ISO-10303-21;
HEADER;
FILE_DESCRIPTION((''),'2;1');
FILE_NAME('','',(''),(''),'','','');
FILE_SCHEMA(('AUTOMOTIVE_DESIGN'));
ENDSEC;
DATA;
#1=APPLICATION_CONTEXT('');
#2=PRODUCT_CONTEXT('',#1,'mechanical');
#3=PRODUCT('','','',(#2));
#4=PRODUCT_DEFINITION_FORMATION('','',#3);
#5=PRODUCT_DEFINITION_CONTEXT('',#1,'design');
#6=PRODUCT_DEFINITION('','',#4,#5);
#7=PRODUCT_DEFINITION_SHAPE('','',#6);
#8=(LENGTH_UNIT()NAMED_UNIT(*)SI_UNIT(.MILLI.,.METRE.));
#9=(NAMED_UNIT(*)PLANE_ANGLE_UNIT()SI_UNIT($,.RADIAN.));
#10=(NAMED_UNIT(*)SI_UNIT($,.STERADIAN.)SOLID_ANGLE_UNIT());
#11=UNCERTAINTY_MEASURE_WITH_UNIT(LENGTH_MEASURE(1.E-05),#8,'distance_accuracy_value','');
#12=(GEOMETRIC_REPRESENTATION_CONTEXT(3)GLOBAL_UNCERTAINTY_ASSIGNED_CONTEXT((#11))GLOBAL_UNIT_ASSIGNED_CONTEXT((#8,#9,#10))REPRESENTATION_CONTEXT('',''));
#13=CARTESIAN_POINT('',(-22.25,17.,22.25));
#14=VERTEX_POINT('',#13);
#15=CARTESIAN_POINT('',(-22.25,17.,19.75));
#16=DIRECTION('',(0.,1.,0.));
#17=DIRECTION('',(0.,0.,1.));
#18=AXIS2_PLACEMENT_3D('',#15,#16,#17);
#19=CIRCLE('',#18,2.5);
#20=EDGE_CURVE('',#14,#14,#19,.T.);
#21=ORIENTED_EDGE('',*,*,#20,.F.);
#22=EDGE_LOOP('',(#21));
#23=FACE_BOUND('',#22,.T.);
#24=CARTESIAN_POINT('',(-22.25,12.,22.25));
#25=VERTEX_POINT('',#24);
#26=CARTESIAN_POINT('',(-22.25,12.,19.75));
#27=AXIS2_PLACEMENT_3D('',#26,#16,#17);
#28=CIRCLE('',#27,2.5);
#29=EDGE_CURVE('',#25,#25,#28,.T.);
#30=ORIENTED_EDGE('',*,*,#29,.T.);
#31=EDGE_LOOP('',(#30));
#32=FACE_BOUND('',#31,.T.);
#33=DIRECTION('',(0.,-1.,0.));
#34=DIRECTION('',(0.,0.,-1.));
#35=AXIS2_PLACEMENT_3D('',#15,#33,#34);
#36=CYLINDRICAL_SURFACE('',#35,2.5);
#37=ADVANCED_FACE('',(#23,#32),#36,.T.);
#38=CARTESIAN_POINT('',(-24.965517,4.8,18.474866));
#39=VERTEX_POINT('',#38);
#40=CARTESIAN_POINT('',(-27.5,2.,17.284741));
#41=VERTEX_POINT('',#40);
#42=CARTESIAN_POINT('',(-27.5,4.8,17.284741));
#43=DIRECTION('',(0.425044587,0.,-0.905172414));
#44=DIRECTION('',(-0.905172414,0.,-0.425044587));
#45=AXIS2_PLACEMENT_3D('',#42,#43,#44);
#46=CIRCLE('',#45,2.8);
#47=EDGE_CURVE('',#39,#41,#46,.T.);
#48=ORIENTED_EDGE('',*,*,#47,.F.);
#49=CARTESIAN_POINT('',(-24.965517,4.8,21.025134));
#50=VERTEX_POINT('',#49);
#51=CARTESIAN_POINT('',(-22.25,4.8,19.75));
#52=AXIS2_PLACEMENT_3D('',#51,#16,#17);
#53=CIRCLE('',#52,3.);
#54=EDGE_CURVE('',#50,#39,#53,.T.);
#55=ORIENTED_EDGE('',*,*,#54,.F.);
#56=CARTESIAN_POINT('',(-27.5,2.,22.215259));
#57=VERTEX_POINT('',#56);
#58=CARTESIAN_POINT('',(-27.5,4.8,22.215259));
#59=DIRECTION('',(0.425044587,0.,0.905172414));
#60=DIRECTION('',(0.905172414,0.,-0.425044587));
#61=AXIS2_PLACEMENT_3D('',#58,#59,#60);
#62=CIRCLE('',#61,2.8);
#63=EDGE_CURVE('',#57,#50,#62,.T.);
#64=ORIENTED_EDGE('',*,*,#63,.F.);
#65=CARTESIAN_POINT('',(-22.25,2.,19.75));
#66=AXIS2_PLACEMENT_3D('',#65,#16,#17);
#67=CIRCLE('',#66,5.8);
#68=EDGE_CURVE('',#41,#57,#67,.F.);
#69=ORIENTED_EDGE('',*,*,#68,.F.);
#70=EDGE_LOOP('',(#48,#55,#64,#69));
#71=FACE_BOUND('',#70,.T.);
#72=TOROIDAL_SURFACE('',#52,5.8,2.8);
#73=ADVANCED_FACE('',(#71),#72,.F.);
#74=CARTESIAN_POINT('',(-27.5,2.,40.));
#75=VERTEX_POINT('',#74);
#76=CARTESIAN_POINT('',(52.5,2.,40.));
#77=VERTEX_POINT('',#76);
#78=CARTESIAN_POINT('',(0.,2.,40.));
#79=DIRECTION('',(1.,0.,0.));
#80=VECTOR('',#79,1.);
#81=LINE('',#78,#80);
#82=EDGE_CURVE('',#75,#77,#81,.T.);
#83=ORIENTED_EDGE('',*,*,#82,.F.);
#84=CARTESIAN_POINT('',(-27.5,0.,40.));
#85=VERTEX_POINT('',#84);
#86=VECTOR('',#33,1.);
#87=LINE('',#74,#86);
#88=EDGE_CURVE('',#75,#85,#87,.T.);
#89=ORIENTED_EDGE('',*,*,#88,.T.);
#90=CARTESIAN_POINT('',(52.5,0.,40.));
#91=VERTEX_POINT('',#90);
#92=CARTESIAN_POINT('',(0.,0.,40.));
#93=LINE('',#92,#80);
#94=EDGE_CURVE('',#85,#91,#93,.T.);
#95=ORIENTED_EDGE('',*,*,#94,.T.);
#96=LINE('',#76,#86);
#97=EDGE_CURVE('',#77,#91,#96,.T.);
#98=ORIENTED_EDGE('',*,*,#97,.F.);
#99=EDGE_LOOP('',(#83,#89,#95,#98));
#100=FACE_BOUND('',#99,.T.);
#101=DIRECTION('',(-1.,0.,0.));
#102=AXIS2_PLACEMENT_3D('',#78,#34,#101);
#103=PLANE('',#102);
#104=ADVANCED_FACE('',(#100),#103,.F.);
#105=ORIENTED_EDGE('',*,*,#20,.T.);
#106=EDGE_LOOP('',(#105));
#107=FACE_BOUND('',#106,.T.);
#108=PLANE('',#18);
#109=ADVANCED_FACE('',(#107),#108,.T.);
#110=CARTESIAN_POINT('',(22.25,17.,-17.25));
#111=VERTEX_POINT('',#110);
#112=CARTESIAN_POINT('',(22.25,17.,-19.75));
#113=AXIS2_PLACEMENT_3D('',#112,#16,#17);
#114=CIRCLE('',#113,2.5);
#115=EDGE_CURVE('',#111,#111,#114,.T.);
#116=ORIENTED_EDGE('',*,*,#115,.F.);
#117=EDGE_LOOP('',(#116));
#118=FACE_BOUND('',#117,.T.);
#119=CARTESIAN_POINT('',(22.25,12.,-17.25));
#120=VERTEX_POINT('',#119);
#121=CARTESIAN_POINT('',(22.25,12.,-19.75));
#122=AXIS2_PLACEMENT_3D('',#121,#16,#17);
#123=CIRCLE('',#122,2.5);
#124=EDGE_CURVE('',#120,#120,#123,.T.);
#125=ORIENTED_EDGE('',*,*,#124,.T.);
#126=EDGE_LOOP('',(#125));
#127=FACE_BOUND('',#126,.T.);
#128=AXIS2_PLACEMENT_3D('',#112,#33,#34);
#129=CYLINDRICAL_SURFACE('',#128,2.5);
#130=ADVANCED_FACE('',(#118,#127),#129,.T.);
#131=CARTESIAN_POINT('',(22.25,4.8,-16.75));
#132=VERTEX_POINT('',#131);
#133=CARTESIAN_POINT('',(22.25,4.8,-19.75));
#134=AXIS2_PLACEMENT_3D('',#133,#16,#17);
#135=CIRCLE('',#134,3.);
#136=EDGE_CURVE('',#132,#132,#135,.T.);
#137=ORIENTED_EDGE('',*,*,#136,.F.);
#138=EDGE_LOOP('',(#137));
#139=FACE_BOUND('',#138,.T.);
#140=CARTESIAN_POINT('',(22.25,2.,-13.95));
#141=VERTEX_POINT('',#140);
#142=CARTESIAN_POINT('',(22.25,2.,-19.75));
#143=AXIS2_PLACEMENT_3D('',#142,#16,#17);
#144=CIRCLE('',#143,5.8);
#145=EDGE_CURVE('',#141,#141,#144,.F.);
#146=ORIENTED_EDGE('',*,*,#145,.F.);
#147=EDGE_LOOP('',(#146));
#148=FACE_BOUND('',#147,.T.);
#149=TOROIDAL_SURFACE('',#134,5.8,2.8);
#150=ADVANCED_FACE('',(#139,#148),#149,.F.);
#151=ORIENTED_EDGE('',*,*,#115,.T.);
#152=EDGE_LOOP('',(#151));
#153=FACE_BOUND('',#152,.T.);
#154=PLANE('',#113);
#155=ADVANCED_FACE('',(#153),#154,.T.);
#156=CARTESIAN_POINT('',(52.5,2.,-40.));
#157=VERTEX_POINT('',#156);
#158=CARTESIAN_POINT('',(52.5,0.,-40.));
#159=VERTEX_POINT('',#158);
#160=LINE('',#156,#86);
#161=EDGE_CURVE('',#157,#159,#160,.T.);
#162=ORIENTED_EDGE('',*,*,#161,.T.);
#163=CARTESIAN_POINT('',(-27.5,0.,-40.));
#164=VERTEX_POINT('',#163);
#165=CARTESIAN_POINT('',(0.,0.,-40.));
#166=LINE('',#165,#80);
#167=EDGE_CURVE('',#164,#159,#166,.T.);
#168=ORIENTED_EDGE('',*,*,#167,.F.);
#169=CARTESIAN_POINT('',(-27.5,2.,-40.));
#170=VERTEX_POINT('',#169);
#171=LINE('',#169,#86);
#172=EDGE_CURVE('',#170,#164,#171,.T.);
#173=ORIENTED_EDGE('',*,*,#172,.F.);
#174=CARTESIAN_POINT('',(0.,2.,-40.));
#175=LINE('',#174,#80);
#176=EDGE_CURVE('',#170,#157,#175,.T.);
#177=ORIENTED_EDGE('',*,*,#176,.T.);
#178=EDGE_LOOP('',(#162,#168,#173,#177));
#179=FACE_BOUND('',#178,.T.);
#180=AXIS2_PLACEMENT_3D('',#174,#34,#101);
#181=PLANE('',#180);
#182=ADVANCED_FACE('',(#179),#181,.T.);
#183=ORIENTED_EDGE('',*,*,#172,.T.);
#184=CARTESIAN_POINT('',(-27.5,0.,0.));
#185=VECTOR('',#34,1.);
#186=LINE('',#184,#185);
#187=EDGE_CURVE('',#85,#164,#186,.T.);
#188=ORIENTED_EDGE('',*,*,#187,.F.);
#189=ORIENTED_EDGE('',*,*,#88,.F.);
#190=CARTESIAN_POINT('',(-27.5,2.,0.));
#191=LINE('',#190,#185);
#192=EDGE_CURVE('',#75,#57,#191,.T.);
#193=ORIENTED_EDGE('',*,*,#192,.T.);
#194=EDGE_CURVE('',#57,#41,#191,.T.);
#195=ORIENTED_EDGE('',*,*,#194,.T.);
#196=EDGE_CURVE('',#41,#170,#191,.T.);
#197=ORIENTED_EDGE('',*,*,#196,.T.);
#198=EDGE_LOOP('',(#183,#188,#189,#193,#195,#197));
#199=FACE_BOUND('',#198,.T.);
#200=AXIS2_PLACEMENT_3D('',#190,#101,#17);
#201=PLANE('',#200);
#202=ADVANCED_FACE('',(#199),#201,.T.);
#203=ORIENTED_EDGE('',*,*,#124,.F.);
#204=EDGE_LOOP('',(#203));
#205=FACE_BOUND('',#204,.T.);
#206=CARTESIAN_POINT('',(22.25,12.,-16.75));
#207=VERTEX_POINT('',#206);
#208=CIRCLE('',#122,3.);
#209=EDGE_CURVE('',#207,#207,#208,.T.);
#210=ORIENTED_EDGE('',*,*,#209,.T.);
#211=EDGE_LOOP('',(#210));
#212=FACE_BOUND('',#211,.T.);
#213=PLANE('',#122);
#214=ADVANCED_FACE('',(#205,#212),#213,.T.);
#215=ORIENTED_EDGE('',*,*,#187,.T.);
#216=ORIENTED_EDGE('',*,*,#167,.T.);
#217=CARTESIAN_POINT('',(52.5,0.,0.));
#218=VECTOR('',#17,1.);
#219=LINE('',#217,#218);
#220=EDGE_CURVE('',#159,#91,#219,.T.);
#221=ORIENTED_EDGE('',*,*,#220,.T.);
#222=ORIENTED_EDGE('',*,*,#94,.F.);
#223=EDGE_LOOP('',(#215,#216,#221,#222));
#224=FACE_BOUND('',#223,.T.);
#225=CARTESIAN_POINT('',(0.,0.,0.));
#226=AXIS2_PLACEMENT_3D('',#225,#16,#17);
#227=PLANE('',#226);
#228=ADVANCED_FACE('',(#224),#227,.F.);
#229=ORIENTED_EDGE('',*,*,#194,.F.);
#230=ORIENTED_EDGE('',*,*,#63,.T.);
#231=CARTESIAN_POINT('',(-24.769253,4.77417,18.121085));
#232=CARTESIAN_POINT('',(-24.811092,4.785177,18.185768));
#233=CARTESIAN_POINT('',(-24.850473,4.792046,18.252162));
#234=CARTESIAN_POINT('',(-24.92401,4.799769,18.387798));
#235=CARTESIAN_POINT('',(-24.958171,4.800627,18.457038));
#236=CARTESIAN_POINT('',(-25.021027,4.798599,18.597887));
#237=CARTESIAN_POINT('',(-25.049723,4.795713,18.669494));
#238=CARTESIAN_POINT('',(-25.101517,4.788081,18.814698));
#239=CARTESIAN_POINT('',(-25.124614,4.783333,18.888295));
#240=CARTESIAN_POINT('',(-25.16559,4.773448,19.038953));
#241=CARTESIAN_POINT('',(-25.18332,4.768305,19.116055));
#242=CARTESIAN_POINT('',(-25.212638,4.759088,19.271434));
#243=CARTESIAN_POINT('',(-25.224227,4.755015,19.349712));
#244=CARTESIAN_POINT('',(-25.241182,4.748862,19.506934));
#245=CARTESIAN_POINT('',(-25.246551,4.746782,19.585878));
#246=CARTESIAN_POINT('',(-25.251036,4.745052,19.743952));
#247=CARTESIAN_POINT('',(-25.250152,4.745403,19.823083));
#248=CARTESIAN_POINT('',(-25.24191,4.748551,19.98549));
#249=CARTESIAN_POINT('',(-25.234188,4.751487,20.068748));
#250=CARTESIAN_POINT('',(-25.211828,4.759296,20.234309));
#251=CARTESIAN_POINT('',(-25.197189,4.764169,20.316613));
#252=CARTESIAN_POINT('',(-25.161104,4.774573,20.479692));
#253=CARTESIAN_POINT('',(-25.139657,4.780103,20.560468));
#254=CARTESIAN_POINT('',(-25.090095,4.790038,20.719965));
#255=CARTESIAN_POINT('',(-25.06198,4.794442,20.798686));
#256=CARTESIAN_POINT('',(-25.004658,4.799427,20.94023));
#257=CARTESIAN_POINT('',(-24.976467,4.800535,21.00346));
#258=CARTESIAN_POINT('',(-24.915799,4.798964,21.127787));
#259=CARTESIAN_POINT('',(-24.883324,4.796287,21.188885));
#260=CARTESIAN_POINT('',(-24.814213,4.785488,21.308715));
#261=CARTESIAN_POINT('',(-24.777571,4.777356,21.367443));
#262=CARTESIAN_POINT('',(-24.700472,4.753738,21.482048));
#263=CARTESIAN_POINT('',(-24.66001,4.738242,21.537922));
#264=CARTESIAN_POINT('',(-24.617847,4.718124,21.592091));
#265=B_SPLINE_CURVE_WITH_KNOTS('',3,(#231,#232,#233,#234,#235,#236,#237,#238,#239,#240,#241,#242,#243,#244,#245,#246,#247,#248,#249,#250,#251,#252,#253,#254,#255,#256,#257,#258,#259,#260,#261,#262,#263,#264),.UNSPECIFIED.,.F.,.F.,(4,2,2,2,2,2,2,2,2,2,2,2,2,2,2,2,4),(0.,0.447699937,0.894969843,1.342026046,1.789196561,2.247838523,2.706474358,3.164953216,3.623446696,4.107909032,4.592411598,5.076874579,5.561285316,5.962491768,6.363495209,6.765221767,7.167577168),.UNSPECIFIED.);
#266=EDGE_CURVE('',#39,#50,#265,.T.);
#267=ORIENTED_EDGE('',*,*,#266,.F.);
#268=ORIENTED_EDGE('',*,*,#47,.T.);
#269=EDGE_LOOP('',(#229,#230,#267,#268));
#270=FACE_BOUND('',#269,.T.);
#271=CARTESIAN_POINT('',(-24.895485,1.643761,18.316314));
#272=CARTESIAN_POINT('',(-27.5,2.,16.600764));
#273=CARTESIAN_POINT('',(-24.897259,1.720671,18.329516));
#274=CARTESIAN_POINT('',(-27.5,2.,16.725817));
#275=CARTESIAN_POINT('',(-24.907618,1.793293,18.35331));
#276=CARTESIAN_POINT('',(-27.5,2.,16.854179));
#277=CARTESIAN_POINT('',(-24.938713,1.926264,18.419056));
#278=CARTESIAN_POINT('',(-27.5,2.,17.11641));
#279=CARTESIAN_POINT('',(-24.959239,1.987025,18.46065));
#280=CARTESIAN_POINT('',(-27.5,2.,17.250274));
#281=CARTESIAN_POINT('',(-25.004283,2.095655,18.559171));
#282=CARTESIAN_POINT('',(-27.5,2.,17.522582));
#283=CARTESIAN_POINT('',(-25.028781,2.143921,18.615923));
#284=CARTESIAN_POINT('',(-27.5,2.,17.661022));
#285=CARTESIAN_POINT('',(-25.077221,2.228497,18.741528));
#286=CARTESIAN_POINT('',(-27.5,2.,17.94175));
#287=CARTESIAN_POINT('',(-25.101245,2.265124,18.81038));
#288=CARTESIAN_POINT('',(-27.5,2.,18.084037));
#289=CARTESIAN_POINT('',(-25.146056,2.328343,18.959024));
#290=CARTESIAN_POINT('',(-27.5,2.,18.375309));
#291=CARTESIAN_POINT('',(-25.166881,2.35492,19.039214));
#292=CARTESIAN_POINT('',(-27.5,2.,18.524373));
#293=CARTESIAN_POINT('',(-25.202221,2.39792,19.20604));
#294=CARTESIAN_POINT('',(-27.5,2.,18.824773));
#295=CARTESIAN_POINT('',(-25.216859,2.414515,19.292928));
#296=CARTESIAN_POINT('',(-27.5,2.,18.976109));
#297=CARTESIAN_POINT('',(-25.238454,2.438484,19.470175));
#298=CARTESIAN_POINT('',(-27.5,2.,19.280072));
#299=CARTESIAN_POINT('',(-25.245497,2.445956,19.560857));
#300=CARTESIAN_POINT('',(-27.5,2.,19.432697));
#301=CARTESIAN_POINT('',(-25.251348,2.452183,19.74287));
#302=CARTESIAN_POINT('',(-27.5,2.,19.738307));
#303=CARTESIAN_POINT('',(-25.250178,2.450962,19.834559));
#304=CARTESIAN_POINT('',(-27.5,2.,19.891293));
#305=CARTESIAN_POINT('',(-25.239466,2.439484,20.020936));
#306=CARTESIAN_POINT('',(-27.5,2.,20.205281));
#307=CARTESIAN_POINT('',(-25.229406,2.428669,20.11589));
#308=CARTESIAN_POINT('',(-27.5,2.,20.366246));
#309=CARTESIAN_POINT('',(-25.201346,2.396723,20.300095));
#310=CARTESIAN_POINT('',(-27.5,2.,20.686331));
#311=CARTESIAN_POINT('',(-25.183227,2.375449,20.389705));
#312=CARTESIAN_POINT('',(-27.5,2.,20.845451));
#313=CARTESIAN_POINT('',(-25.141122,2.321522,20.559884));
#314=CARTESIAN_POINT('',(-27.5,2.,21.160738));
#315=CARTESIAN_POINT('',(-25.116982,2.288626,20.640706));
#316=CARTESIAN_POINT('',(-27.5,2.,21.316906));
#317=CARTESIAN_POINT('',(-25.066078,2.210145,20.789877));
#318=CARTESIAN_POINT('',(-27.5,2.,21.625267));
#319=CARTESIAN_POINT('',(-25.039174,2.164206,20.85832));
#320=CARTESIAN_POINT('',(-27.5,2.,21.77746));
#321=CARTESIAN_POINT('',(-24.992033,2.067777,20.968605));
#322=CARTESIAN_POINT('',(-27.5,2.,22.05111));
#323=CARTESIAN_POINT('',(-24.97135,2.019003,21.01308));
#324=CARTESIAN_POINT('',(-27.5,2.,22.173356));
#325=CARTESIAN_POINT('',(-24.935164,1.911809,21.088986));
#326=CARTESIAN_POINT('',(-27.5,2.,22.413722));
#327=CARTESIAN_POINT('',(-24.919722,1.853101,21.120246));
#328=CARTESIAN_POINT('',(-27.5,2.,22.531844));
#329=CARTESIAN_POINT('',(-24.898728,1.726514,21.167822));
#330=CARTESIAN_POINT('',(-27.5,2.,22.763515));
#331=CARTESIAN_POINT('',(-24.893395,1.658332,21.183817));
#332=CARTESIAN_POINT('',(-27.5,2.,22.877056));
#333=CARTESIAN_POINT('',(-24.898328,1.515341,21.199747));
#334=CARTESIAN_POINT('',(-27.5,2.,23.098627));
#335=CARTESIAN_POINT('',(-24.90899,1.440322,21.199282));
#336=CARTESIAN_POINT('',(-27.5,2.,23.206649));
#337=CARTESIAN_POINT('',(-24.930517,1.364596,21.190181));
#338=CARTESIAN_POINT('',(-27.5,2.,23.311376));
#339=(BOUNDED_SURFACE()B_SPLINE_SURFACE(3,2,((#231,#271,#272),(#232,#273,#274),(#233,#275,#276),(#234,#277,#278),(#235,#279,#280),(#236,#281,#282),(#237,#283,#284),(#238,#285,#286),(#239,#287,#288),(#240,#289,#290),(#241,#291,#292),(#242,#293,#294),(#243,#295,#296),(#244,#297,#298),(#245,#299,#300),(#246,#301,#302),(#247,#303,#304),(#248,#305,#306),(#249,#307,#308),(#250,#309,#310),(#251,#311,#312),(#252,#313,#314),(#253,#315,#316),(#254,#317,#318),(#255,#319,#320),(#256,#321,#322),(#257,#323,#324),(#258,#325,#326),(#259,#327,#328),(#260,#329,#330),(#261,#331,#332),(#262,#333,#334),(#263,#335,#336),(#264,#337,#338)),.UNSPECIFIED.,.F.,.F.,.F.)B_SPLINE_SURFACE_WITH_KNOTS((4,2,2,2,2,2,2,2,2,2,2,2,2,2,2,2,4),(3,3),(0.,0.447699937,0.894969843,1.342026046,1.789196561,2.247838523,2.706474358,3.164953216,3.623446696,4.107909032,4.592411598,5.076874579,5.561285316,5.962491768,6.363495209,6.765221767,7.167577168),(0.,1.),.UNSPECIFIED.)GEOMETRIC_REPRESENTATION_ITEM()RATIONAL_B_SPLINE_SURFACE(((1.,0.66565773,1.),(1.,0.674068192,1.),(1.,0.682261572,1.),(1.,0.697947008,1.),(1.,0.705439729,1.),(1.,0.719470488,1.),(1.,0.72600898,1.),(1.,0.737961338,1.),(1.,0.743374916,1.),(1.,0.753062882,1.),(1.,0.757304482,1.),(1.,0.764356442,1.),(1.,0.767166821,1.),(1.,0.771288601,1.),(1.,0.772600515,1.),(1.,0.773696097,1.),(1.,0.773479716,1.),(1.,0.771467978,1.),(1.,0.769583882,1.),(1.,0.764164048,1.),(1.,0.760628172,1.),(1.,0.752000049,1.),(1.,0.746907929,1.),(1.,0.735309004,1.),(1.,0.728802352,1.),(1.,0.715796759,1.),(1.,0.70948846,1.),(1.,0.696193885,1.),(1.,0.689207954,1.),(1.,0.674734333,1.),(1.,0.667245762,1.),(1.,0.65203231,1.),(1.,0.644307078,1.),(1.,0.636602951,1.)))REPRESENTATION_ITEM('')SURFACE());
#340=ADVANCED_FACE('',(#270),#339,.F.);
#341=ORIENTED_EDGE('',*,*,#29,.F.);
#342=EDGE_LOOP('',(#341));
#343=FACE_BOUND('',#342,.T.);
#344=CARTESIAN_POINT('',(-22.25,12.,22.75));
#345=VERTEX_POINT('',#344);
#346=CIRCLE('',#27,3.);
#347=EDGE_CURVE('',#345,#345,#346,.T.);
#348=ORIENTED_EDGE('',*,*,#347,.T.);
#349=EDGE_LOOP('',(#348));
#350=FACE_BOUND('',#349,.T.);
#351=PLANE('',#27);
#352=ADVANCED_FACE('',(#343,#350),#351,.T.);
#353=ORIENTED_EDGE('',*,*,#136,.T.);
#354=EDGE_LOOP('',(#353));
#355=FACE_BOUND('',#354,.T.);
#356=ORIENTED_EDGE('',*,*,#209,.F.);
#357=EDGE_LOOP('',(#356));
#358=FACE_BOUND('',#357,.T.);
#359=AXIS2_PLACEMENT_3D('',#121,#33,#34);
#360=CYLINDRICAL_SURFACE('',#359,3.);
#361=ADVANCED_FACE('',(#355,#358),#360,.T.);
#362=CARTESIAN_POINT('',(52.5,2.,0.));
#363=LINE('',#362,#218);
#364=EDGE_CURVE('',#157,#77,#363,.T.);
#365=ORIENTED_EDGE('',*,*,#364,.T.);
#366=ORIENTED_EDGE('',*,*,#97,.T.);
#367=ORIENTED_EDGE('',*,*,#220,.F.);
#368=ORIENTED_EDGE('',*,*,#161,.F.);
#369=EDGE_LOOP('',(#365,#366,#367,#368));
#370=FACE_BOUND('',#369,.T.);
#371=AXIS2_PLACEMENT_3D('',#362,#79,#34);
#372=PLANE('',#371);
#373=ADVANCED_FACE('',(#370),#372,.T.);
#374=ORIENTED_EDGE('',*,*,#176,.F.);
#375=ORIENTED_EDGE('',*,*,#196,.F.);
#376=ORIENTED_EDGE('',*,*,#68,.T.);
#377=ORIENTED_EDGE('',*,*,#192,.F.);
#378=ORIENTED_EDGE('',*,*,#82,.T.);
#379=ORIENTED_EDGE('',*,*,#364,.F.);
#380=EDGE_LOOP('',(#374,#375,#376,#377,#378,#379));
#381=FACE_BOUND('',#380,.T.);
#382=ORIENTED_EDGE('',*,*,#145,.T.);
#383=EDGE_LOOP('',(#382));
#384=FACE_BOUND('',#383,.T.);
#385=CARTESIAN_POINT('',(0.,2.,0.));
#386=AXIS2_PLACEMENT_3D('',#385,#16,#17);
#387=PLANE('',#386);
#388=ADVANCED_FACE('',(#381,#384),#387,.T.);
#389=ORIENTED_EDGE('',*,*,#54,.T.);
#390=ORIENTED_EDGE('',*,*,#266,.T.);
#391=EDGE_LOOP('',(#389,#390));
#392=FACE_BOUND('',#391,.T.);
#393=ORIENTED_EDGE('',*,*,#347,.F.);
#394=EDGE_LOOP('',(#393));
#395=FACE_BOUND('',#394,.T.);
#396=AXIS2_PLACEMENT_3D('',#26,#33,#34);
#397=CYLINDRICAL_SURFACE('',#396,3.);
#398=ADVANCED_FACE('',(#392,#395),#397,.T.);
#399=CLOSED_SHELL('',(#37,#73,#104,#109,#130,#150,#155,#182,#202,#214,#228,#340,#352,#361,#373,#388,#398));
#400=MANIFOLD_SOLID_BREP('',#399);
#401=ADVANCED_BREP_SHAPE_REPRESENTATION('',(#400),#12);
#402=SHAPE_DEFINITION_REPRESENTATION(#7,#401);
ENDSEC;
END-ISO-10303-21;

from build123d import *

# Parameters (mm, degrees)
SKETCH1_W           = 55
SKETCH1_H           = 55
BOSS_EXTRUDE1_DEPTH = 2
SKETCH2_R           = 3
BOSS_EXTRUDE2_DEPTH = 10
FILLET1_R           = 2.8
SKETCH3_R           = 2.5
BOSS_EXTRUDE3_DEPTH = 5


with BuildPart() as part:
    # Sketch1 → Boss-Extrude1 (new body)
    with BuildSketch(Plane(origin=(0, 0, 0), x_dir=(1, 0, 0), z_dir=(0, 1, 0))):
        Polygon((52.5, 40), (52.5, -40), (-27.5, -40), (-27.5, -27.5), (27.5, -27.5), (27.5, 27.5), (-27.5, 27.5), (-27.5, 40), align=None)
        Rectangle(SKETCH1_W, SKETCH1_H)
    extrude(amount=BOSS_EXTRUDE1_DEPTH)

    # Sketch2 → Boss-Extrude2 (add)
    with BuildSketch(Plane(origin=(0, 2, 0), x_dir=(1, 0, 0), z_dir=(0, 1, 0))):
        with Locations(Location((-22.25, -19.75, 0), (0, 0, 270))):
            Circle(SKETCH2_R)
        with Locations(Location((22.25, 19.75, 0), (0, 0, 270))):
            Circle(SKETCH2_R)
    extrude(amount=BOSS_EXTRUDE2_DEPTH)

    # Fillet1
    fillet1_edges = [part.edges().sort_by_distance(p)[0] for p in [
        (-22.25, 2, 16.75),
        (22.25, 2, -22.75),
    ]]
    fillet(fillet1_edges, radius=FILLET1_R)

    # Sketch3 → Boss-Extrude3 (add)
    with BuildSketch(Plane(origin=(0, 12, 0), x_dir=(1, 0, 0), z_dir=(0, 1, 0))):
        with Locations(Location((-22.25, -19.75, 0), (0, 0, 270))):
            Circle(SKETCH3_R)
        with Locations(Location((22.25, 19.75, 0), (0, 0, 270))):
            Circle(SKETCH3_R)
    extrude(amount=BOSS_EXTRUDE3_DEPTH)


solid = part.part
